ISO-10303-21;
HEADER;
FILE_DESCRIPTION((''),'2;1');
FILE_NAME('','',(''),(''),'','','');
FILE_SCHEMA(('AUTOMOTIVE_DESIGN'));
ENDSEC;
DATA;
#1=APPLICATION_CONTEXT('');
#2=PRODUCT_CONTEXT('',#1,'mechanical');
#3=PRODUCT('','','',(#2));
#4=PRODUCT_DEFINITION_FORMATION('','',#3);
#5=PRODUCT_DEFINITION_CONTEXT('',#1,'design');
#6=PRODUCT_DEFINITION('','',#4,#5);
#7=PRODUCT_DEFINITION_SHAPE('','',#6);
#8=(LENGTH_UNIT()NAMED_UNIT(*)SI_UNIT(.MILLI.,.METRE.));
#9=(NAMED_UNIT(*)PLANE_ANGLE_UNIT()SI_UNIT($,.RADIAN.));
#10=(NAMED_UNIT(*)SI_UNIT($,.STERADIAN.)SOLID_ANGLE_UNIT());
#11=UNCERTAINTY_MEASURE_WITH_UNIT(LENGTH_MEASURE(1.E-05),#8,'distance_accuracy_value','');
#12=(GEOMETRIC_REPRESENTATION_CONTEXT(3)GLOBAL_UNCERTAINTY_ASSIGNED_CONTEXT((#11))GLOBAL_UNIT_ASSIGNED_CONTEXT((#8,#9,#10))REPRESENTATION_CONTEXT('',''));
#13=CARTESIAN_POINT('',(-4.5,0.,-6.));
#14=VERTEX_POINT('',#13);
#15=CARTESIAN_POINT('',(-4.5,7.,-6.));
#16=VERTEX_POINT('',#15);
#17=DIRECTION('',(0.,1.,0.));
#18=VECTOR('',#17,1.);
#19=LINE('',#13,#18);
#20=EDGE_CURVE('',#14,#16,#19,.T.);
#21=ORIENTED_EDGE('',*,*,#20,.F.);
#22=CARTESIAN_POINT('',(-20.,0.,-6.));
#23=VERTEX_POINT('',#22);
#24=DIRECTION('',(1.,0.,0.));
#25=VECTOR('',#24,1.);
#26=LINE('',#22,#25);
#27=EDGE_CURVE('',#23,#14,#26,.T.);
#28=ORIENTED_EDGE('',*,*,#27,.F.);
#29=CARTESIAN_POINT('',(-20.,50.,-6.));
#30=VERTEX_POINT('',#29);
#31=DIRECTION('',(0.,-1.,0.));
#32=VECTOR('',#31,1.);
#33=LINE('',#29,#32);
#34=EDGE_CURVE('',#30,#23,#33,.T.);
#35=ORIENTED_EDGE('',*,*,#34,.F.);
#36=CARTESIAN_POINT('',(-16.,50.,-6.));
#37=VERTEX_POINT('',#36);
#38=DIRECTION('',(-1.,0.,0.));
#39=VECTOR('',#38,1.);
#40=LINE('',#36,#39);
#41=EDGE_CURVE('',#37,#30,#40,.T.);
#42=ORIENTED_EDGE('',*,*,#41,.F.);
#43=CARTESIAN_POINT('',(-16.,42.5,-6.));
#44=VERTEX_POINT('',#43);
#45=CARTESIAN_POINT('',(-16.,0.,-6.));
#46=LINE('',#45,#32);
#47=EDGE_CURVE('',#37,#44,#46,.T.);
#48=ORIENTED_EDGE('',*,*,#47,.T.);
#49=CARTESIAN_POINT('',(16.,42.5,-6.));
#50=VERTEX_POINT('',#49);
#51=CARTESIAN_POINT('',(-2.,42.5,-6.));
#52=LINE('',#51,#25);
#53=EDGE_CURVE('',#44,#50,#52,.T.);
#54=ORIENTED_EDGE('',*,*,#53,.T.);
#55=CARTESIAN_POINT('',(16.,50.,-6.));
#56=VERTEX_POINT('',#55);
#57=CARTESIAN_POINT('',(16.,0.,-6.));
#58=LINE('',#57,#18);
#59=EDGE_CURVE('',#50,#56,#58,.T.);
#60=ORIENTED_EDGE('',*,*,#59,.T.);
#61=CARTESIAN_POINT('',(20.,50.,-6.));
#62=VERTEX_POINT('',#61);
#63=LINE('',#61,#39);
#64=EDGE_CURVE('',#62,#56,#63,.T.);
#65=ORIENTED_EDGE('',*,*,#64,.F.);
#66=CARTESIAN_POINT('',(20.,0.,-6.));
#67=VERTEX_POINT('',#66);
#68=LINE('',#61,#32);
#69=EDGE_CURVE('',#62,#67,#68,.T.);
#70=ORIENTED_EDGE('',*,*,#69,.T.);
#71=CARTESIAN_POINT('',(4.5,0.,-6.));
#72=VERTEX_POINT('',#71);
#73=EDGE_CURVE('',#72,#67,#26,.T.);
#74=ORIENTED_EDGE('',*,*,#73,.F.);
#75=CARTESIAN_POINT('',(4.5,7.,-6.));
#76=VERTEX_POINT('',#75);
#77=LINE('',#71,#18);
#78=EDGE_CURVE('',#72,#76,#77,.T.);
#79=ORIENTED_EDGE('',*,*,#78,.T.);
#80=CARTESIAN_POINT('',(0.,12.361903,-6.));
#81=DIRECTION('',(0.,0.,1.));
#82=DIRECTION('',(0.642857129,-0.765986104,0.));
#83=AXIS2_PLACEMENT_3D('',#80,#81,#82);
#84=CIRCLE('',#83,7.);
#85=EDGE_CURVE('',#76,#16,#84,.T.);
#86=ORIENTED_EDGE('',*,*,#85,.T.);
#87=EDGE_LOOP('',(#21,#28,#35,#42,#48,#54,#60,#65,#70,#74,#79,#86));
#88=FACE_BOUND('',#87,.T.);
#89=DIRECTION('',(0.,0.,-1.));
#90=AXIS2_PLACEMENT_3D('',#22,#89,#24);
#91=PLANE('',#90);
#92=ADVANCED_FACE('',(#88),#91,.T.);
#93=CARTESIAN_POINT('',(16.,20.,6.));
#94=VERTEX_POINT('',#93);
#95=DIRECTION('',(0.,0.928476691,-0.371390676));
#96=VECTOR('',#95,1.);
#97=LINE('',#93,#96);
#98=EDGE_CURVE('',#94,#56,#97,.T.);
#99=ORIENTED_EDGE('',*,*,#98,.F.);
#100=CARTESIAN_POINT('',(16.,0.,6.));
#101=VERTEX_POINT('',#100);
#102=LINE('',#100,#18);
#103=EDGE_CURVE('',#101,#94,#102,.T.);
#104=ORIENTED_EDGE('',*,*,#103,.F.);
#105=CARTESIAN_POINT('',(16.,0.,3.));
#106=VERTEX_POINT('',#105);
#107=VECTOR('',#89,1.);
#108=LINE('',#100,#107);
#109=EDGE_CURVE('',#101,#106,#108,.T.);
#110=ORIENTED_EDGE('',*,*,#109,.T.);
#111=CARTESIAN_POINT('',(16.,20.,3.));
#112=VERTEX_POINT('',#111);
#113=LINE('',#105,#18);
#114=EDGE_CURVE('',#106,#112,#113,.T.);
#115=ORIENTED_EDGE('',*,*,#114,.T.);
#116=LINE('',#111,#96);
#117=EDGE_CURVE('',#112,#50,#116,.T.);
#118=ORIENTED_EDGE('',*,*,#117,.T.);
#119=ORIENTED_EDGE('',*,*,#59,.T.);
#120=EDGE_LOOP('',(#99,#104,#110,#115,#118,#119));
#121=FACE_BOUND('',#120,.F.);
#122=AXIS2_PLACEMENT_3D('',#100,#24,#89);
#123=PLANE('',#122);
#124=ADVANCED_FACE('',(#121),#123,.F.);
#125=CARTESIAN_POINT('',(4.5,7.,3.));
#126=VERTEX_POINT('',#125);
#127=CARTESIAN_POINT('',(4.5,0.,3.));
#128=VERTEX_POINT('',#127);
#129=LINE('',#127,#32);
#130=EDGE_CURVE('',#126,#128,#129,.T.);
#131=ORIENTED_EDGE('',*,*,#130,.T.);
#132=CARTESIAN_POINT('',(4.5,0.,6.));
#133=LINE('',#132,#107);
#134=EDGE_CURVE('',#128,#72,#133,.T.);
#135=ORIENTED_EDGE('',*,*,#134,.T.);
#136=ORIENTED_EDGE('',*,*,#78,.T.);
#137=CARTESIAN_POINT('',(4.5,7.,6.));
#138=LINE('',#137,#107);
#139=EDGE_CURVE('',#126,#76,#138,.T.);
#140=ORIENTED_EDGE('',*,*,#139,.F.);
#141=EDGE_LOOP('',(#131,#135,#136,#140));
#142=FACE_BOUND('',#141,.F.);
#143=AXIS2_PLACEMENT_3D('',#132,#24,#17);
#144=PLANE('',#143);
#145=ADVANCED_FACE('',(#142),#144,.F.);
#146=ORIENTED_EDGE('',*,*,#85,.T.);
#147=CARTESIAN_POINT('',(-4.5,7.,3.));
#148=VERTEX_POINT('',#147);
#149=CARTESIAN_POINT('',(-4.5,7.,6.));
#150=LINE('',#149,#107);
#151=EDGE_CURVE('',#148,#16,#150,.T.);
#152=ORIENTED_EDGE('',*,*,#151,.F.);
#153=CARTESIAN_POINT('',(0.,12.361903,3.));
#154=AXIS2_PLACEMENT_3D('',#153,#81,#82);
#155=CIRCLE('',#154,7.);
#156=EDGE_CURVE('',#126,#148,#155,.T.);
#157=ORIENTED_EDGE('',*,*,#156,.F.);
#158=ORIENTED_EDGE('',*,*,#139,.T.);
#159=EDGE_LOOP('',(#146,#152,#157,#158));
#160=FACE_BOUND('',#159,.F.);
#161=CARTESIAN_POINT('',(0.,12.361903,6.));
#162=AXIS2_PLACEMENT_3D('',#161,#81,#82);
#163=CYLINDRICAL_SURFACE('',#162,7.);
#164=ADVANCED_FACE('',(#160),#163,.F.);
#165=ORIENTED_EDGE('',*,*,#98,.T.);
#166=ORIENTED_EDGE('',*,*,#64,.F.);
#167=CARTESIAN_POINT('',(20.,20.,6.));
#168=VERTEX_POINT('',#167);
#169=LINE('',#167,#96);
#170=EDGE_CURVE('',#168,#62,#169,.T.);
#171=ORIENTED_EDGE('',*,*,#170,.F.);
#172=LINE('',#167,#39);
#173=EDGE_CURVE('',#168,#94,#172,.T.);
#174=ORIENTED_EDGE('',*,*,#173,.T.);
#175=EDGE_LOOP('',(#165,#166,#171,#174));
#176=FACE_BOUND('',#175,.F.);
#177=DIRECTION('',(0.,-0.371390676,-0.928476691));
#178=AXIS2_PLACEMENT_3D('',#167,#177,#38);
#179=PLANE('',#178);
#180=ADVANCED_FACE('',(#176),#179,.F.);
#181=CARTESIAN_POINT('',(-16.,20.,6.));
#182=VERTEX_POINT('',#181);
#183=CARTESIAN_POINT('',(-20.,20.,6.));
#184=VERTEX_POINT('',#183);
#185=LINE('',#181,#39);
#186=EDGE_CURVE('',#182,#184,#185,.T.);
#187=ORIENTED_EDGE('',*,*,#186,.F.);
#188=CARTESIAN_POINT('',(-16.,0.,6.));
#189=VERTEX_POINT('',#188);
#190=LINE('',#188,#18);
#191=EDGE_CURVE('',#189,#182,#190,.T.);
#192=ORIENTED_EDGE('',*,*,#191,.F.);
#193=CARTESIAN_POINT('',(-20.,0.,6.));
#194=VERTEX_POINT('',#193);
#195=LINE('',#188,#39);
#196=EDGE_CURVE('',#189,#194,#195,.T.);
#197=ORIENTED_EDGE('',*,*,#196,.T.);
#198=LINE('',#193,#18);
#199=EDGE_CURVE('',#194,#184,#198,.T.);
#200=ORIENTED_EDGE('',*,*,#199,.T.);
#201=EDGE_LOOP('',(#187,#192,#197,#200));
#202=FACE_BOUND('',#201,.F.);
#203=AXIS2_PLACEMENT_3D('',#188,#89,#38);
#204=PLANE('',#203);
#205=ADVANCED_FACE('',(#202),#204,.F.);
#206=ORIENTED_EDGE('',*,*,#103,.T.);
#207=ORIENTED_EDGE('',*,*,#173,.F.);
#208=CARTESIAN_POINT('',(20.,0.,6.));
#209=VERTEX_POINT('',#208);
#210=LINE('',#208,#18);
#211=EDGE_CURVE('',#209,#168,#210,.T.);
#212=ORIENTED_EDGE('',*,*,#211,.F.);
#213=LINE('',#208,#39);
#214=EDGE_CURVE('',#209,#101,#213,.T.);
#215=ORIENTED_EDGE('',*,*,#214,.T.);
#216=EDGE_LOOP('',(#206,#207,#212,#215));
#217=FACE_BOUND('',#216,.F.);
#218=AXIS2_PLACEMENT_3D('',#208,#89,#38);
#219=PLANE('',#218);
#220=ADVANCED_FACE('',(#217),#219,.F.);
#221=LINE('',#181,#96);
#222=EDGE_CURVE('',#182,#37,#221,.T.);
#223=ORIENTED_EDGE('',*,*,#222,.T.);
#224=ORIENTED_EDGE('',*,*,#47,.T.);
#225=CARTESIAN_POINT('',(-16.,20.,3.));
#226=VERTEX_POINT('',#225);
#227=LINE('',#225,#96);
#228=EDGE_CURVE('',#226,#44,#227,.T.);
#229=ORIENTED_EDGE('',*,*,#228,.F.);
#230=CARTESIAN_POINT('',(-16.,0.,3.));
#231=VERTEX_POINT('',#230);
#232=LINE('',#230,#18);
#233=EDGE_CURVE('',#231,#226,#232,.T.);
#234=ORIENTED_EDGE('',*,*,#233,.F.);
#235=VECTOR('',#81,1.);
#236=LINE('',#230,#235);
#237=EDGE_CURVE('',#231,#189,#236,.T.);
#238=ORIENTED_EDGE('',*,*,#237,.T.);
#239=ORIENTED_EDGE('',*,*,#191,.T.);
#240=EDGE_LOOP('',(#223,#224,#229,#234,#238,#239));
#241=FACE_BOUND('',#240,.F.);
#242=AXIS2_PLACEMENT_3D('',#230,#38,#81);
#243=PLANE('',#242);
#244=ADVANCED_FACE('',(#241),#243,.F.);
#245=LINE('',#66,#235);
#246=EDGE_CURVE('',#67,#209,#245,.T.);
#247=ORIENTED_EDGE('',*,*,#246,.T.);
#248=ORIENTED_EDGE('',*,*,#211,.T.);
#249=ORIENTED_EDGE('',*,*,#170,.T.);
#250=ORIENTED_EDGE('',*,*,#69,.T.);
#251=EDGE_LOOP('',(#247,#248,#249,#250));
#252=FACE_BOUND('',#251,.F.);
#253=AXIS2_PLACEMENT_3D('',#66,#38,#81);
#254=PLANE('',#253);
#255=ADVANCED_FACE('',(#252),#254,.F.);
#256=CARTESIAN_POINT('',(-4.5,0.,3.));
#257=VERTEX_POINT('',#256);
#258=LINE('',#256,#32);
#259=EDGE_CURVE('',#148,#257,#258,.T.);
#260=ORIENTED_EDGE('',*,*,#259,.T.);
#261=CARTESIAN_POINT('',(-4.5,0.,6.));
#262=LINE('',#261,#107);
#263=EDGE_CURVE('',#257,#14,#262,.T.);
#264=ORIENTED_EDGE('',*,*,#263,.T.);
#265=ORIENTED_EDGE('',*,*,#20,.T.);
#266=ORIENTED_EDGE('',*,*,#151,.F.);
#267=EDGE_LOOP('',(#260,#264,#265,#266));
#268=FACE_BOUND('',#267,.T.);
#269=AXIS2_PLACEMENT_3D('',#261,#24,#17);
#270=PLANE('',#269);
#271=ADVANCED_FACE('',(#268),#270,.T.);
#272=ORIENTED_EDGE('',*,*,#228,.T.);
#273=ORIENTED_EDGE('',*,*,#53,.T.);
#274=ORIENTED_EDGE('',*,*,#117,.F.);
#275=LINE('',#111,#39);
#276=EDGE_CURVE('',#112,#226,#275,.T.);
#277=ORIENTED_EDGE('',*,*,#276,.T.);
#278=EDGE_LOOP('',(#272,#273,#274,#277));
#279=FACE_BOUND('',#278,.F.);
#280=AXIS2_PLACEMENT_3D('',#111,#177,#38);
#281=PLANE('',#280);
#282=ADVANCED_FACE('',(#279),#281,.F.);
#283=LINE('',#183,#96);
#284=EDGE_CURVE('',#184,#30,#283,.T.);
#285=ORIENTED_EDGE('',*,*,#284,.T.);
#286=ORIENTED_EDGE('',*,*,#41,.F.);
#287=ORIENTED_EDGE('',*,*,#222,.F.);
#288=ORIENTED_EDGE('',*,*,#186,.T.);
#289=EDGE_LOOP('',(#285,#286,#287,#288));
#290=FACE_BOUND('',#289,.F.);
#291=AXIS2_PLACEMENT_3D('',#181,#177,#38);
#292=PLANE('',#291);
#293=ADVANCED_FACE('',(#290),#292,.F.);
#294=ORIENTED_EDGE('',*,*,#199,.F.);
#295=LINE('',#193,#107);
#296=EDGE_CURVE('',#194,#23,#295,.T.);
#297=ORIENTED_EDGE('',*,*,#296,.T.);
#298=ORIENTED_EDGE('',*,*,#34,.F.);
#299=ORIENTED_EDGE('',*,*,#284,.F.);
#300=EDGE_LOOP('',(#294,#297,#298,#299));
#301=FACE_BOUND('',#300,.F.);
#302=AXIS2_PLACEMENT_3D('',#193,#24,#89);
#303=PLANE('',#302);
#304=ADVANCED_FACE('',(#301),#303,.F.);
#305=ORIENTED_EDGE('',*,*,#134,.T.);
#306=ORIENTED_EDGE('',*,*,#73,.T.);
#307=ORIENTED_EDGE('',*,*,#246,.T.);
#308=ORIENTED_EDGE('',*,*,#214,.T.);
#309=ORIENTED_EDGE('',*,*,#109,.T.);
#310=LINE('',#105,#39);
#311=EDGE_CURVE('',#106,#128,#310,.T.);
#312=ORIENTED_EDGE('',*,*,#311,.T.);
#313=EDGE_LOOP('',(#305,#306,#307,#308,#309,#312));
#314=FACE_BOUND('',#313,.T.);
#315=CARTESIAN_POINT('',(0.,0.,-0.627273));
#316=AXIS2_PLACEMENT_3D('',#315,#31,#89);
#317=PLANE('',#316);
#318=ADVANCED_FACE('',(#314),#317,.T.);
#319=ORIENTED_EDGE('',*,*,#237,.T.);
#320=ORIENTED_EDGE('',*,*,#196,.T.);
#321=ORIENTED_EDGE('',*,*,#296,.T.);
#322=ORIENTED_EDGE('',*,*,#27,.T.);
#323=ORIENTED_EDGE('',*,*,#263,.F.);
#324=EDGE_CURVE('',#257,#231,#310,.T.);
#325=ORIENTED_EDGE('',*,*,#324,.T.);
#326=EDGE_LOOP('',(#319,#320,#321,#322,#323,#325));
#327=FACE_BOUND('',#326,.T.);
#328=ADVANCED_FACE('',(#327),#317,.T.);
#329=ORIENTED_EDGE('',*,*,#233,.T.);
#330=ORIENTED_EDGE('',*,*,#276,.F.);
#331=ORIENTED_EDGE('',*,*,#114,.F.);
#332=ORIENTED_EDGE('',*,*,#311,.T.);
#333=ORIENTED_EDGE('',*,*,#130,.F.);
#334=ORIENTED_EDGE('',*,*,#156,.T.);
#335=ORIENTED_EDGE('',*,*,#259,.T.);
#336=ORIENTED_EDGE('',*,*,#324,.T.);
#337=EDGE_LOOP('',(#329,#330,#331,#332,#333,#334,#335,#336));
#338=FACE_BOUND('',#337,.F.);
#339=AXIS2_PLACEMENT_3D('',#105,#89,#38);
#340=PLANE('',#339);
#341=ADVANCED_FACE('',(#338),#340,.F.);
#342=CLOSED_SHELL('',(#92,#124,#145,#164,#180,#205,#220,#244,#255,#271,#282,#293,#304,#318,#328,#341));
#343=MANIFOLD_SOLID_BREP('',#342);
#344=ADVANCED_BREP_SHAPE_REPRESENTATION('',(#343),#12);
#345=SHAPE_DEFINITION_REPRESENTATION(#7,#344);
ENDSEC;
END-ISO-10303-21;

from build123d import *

# Parameters (mm, degrees)
POCKET_DEPTH         = 24.001
POCKET_DEPTH_BACK    = 0.001
SKETCH004_W          = 40
SKETCH004_H          = 12
POCKET001_DEPTH      = 50.001
POCKET001_DEPTH_BACK = 0.001


with BuildPart() as part:
    # AdditivePipe: sweep along a path in Sketch
    with BuildLine(Plane.YZ) as additivepipe_path:
        Line((0, 0), (20, 0))
        Line((20, 0), (50, -12))
    # Sketch001 → AdditivePipe (sweep)
    with BuildSketch(Plane.XZ):
        Polygon((-20, 6), (-20, -6), (20, -6), (20, 6), (16, 6), (16, 3), (9, 3), (-9, 3), (-16, 3), (-16, 6), align=None)
    sweep(path=additivepipe_path.line)

    # Sketch003 → Pocket (cut, two sides)
    with BuildSketch(Plane(origin=(0, 0, 6), x_dir=(-1, 0, 0), z_dir=(0, 0, 1))) as pocket_sk:
        with BuildLine():
            Line((-4.5, 0), (4.5, 0))
            Line((4.5, 0), (4.5, -7))
            ThreePointArc((-4.5, -7), (0, -19.361903), (4.5, -7))
            Line((-4.5, 0), (-4.5, -7))
        make_face()
    extrude(amount=-POCKET_DEPTH, mode=Mode.SUBTRACT)
    extrude(pocket_sk.sketch, amount=POCKET_DEPTH_BACK, mode=Mode.SUBTRACT)

    # Sketch004 → Pocket001 (cut, two sides)
    with BuildSketch(Plane.XZ) as pocket001_sk:
        with Locations((0, -12)):
            Rectangle(SKETCH004_W, SKETCH004_H)
    extrude(amount=-POCKET001_DEPTH, mode=Mode.SUBTRACT)
    extrude(pocket001_sk.sketch, amount=POCKET001_DEPTH_BACK, mode=Mode.SUBTRACT)


solid = part.part
